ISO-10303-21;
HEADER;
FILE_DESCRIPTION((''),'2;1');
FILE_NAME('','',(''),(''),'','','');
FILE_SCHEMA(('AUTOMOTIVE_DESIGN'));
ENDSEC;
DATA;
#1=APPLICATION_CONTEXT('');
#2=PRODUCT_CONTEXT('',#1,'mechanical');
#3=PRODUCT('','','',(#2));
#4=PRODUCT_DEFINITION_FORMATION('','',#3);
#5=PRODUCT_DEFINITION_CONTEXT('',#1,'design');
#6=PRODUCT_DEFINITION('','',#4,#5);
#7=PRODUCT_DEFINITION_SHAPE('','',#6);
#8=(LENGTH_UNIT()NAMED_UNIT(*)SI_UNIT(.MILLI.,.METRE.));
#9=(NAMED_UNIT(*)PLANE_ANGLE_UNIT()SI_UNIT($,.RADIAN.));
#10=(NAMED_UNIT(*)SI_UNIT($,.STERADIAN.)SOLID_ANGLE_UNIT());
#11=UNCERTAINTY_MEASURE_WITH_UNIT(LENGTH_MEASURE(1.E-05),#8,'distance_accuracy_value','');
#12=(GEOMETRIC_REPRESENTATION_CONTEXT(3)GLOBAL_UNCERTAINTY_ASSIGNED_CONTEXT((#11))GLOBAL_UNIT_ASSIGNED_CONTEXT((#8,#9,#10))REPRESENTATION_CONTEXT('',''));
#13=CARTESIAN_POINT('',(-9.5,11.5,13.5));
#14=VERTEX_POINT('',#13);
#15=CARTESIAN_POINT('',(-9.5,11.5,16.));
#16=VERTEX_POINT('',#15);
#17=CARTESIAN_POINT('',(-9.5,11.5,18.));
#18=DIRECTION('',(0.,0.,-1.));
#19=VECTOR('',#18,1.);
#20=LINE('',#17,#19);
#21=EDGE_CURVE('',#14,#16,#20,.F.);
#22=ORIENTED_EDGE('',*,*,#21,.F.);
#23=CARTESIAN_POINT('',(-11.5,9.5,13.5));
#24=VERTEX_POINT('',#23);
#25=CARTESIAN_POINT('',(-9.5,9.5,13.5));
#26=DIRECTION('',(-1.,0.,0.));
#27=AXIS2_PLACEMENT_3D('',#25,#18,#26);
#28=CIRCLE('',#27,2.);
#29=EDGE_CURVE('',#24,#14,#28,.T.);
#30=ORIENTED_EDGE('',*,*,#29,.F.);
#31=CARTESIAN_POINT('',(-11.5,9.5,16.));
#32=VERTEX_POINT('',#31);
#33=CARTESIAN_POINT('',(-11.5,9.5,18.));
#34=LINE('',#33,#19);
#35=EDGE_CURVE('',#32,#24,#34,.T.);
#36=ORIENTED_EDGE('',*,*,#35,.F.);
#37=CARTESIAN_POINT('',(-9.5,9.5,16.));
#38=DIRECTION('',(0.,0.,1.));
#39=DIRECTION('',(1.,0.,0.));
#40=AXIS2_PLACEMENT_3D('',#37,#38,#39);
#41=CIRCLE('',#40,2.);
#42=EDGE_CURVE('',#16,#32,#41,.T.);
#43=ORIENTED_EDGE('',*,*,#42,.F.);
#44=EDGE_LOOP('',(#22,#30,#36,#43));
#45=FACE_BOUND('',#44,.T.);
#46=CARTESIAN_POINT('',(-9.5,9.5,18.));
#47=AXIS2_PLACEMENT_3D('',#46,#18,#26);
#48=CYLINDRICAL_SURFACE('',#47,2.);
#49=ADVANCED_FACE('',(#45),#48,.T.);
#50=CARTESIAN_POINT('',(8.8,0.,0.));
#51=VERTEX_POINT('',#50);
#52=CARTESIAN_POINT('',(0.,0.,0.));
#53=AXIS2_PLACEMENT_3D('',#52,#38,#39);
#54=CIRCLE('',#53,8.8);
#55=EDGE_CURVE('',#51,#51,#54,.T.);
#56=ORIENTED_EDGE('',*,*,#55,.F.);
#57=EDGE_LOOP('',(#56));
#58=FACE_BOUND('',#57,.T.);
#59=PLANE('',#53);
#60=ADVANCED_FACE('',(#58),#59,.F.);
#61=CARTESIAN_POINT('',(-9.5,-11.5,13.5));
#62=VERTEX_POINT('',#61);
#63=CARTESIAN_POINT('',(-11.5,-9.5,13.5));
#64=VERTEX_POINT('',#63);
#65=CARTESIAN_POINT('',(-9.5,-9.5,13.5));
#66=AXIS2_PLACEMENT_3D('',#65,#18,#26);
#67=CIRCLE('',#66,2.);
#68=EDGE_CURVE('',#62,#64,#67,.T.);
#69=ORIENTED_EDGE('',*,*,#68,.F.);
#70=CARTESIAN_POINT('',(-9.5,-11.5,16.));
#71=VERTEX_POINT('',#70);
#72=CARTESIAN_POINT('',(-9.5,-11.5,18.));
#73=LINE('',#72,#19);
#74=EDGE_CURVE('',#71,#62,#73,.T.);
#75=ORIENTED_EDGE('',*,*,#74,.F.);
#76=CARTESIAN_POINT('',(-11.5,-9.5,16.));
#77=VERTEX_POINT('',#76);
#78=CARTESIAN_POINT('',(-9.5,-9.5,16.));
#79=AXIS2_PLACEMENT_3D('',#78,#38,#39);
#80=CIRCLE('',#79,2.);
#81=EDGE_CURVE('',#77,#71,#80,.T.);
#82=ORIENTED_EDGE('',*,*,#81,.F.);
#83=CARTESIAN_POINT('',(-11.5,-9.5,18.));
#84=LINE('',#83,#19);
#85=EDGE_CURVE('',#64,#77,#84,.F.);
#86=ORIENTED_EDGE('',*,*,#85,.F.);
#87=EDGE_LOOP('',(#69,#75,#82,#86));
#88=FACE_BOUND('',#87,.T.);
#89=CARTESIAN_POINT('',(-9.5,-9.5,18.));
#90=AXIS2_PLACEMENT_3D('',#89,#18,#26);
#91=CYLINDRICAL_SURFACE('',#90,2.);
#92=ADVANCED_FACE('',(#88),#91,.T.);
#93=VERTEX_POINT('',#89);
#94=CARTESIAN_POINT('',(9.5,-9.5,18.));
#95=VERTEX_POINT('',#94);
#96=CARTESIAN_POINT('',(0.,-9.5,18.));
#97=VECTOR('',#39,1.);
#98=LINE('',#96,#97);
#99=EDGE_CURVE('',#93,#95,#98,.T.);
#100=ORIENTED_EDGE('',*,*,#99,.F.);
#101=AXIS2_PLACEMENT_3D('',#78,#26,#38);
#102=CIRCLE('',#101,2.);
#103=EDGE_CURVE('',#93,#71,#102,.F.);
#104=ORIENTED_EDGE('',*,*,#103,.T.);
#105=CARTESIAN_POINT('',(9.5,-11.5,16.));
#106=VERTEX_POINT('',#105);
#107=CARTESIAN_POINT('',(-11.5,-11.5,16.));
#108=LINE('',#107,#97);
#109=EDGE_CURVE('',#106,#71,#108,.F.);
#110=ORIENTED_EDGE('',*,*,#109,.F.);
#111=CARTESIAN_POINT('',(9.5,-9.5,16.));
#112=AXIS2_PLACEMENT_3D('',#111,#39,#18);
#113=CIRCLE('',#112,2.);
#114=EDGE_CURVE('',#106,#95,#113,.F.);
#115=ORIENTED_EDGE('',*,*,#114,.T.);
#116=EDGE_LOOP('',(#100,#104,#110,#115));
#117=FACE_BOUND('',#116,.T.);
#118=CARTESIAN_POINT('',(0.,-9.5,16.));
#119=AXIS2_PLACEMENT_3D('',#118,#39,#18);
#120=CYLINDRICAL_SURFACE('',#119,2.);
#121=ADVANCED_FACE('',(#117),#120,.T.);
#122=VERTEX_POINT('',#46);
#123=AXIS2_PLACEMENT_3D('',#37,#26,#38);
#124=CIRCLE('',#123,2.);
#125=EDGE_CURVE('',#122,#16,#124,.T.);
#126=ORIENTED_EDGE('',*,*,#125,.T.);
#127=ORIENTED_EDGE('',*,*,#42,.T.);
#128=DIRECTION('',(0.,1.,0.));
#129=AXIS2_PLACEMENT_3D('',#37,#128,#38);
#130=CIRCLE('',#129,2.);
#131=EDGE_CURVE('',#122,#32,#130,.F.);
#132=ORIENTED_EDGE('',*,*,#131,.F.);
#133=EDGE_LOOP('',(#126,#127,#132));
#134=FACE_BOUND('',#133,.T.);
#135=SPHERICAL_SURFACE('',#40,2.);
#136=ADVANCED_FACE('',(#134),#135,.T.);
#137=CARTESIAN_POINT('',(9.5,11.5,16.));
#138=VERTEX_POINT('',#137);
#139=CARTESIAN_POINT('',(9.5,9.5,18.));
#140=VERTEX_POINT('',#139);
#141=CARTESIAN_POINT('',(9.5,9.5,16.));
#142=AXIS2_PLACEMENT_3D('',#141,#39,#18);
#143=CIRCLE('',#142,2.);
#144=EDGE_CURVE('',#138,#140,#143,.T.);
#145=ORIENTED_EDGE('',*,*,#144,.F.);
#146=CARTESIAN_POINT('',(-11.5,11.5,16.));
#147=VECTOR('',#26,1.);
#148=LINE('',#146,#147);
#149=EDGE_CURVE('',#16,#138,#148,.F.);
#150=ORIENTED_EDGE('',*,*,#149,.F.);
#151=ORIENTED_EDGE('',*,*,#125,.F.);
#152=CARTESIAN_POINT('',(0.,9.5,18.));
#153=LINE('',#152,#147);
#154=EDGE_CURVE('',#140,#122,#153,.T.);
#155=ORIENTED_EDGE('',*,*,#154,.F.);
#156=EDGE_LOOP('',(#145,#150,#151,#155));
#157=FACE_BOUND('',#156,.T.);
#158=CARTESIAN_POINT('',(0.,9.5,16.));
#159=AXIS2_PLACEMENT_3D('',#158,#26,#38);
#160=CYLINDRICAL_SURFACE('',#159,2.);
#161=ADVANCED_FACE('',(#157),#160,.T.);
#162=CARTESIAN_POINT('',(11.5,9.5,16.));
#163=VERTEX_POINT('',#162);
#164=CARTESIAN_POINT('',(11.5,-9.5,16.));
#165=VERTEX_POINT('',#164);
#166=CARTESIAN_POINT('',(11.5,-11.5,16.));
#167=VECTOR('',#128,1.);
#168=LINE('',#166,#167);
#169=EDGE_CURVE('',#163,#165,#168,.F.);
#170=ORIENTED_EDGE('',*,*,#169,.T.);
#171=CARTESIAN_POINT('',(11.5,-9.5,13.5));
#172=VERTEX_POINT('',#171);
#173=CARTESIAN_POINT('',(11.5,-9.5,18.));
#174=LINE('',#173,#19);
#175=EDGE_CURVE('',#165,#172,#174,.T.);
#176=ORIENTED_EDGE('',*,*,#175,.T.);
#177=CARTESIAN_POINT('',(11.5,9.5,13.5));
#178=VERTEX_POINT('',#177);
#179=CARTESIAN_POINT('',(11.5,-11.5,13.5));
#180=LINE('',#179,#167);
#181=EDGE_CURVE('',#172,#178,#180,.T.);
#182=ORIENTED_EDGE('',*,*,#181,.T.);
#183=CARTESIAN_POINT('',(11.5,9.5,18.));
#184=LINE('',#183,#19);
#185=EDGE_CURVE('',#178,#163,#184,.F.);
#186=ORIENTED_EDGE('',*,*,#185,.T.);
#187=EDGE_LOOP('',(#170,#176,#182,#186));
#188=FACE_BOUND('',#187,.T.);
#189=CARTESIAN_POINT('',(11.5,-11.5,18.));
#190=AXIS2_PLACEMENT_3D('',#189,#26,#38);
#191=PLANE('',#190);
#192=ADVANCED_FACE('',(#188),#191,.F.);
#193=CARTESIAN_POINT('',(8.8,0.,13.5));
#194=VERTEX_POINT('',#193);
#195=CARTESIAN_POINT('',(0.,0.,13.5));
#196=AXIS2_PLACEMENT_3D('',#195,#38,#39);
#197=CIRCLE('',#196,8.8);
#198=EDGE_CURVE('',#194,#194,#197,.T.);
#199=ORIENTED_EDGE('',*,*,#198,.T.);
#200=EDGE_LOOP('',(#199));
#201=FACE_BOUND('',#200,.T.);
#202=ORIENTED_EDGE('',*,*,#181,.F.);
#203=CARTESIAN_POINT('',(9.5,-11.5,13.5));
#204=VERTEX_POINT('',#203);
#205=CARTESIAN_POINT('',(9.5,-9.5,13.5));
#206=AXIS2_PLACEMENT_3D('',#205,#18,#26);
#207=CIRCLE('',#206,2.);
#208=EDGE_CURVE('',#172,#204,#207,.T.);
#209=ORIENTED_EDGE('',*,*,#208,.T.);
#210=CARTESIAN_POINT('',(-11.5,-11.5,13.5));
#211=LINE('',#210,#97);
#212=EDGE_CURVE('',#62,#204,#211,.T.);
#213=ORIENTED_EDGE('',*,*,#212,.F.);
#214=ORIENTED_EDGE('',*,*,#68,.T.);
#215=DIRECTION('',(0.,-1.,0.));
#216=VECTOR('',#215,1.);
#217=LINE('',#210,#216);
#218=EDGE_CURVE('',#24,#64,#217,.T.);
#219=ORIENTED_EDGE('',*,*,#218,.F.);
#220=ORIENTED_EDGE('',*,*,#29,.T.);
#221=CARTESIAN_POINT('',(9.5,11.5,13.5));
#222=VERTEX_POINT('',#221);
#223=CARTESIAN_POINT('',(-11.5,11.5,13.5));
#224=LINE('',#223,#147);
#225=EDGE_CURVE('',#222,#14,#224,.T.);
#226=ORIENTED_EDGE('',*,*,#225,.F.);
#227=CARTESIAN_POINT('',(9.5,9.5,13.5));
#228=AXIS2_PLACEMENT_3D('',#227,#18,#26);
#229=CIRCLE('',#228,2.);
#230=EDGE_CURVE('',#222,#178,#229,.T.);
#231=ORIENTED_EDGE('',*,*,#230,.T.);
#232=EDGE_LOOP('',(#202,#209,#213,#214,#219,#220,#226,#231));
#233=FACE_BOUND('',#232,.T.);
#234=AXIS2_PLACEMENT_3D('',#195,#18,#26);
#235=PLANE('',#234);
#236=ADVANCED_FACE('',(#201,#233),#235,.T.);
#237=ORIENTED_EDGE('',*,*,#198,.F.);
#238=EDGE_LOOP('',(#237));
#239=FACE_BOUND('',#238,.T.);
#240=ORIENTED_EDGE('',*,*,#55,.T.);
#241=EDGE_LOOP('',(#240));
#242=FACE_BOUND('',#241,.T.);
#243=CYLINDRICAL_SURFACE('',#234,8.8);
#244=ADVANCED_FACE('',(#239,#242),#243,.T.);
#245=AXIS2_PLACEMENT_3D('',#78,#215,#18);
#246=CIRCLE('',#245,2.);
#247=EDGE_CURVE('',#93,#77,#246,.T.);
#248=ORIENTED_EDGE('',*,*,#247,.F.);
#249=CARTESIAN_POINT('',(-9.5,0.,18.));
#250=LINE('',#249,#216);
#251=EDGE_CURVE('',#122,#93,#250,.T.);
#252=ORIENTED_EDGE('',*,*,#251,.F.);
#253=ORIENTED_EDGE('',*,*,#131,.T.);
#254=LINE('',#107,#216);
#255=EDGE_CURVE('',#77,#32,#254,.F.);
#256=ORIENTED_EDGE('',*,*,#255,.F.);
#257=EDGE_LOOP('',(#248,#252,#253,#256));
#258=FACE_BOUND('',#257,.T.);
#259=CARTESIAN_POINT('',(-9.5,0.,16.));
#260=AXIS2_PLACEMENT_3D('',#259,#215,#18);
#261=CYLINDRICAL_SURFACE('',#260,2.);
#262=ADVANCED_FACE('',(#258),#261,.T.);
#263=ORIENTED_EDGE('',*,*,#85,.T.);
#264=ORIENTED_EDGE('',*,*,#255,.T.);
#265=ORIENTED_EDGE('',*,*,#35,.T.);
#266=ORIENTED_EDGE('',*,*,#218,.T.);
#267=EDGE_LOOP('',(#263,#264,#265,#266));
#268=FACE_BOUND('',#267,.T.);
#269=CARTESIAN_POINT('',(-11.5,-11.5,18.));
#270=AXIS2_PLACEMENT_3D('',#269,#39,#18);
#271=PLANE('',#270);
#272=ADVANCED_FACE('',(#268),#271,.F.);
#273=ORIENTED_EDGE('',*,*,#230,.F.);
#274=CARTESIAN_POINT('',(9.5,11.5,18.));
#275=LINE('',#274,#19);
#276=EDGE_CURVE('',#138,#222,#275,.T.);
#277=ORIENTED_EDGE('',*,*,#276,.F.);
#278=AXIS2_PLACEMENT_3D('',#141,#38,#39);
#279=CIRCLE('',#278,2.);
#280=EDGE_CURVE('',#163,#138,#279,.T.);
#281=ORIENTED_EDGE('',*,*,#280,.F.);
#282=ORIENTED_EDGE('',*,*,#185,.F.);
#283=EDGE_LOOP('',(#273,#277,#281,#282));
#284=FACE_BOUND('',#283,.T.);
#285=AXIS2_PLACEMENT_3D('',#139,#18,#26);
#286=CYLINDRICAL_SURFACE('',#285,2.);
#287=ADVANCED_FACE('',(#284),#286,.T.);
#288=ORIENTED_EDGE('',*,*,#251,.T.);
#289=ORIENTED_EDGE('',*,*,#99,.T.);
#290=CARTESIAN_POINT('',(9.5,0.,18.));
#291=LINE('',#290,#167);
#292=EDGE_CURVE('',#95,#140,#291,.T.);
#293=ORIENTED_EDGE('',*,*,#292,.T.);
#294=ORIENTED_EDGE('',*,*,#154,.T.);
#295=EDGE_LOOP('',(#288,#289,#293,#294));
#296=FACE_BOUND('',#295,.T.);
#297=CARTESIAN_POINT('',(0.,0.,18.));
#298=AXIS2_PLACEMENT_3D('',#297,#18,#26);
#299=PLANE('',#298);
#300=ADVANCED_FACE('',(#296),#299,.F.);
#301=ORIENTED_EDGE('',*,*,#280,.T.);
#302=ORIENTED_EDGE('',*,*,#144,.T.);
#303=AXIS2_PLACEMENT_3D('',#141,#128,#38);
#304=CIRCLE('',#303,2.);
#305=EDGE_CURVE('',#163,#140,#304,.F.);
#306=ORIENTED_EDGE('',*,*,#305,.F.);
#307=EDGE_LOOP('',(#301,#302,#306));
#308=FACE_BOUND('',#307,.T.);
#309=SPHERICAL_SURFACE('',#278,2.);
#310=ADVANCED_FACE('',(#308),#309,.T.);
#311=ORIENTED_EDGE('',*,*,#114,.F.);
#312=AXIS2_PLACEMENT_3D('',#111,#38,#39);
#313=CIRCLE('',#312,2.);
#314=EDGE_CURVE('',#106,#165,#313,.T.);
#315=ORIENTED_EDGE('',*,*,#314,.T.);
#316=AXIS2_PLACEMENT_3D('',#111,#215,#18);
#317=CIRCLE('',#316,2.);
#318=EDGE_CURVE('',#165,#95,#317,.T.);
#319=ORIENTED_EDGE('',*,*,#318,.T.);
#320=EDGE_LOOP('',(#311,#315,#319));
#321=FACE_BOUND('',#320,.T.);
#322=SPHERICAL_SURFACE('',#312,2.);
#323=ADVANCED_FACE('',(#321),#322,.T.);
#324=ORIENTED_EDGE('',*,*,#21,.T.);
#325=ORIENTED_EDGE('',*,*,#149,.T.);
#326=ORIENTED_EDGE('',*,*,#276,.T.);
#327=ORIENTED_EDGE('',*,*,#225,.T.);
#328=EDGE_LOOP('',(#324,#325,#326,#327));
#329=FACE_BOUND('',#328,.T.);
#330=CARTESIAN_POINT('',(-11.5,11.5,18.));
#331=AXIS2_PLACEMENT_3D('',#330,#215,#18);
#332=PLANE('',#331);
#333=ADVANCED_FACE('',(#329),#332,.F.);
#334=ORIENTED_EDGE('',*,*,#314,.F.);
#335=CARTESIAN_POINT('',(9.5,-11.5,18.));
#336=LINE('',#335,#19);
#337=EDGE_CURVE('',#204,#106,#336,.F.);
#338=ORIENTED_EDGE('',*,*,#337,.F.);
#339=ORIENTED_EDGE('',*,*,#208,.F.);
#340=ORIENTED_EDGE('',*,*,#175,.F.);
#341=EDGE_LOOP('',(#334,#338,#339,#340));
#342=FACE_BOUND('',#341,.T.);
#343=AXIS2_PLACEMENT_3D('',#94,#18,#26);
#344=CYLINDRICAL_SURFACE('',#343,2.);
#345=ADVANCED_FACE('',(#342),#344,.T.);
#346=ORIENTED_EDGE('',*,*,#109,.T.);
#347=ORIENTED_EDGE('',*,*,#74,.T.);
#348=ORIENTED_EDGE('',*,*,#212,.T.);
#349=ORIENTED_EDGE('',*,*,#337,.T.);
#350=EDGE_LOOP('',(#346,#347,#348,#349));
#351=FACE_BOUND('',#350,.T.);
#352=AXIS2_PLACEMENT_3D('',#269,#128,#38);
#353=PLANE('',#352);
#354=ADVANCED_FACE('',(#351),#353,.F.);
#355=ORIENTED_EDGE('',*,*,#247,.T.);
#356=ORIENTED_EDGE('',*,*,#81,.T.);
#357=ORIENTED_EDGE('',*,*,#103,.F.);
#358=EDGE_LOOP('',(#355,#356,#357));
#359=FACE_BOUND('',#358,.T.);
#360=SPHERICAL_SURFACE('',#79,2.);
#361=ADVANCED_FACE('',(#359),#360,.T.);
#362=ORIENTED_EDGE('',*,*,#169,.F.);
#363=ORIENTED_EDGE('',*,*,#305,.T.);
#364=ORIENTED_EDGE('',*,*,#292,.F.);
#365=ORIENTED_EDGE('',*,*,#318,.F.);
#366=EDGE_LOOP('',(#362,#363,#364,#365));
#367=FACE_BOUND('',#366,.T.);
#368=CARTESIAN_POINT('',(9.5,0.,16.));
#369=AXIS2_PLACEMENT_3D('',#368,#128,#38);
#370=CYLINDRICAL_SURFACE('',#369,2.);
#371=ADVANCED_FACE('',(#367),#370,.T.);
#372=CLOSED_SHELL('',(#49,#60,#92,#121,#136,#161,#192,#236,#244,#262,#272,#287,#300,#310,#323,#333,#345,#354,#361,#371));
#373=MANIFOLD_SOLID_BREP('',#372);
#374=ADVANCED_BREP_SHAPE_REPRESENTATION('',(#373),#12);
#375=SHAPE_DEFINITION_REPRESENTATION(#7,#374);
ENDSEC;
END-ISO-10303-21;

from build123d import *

# Parameters (mm, degrees)
SKETCH3_R           = 8.8
BOSS_EXTRUDE1_DEPTH = 13.5
SKETCH4_W           = 23
SKETCH4_H           = 23
BOSS_EXTRUDE2_DEPTH = 4.5
FILLET1_R           = 2


with BuildPart() as part:
    # Sketch3 → Boss-Extrude1 (new body)
    with BuildSketch(Plane.XY):
        Circle(SKETCH3_R)
    extrude(amount=BOSS_EXTRUDE1_DEPTH)

    # Sketch4 → Boss-Extrude2 (add)
    with BuildSketch(Plane.XY.offset(13.5)):
        Rectangle(SKETCH4_W, SKETCH4_H)
    extrude(amount=BOSS_EXTRUDE2_DEPTH)

    # Fillet1
    fillet1_edges = [part.edges().sort_by_distance(p)[0] for p in [
        (11.5, -11.5, 15.75),
        (11.5, 11.5, 15.75),
        (-11.5, 11.5, 15.75),
        (-11.5, -11.5, 15.75),
        (11.5, 0, 18),
        (0, 11.5, 18),
        (-11.5, 0, 18),
        (0, -11.5, 18),
    ]]
    fillet(fillet1_edges, radius=FILLET1_R)


solid = part.part
